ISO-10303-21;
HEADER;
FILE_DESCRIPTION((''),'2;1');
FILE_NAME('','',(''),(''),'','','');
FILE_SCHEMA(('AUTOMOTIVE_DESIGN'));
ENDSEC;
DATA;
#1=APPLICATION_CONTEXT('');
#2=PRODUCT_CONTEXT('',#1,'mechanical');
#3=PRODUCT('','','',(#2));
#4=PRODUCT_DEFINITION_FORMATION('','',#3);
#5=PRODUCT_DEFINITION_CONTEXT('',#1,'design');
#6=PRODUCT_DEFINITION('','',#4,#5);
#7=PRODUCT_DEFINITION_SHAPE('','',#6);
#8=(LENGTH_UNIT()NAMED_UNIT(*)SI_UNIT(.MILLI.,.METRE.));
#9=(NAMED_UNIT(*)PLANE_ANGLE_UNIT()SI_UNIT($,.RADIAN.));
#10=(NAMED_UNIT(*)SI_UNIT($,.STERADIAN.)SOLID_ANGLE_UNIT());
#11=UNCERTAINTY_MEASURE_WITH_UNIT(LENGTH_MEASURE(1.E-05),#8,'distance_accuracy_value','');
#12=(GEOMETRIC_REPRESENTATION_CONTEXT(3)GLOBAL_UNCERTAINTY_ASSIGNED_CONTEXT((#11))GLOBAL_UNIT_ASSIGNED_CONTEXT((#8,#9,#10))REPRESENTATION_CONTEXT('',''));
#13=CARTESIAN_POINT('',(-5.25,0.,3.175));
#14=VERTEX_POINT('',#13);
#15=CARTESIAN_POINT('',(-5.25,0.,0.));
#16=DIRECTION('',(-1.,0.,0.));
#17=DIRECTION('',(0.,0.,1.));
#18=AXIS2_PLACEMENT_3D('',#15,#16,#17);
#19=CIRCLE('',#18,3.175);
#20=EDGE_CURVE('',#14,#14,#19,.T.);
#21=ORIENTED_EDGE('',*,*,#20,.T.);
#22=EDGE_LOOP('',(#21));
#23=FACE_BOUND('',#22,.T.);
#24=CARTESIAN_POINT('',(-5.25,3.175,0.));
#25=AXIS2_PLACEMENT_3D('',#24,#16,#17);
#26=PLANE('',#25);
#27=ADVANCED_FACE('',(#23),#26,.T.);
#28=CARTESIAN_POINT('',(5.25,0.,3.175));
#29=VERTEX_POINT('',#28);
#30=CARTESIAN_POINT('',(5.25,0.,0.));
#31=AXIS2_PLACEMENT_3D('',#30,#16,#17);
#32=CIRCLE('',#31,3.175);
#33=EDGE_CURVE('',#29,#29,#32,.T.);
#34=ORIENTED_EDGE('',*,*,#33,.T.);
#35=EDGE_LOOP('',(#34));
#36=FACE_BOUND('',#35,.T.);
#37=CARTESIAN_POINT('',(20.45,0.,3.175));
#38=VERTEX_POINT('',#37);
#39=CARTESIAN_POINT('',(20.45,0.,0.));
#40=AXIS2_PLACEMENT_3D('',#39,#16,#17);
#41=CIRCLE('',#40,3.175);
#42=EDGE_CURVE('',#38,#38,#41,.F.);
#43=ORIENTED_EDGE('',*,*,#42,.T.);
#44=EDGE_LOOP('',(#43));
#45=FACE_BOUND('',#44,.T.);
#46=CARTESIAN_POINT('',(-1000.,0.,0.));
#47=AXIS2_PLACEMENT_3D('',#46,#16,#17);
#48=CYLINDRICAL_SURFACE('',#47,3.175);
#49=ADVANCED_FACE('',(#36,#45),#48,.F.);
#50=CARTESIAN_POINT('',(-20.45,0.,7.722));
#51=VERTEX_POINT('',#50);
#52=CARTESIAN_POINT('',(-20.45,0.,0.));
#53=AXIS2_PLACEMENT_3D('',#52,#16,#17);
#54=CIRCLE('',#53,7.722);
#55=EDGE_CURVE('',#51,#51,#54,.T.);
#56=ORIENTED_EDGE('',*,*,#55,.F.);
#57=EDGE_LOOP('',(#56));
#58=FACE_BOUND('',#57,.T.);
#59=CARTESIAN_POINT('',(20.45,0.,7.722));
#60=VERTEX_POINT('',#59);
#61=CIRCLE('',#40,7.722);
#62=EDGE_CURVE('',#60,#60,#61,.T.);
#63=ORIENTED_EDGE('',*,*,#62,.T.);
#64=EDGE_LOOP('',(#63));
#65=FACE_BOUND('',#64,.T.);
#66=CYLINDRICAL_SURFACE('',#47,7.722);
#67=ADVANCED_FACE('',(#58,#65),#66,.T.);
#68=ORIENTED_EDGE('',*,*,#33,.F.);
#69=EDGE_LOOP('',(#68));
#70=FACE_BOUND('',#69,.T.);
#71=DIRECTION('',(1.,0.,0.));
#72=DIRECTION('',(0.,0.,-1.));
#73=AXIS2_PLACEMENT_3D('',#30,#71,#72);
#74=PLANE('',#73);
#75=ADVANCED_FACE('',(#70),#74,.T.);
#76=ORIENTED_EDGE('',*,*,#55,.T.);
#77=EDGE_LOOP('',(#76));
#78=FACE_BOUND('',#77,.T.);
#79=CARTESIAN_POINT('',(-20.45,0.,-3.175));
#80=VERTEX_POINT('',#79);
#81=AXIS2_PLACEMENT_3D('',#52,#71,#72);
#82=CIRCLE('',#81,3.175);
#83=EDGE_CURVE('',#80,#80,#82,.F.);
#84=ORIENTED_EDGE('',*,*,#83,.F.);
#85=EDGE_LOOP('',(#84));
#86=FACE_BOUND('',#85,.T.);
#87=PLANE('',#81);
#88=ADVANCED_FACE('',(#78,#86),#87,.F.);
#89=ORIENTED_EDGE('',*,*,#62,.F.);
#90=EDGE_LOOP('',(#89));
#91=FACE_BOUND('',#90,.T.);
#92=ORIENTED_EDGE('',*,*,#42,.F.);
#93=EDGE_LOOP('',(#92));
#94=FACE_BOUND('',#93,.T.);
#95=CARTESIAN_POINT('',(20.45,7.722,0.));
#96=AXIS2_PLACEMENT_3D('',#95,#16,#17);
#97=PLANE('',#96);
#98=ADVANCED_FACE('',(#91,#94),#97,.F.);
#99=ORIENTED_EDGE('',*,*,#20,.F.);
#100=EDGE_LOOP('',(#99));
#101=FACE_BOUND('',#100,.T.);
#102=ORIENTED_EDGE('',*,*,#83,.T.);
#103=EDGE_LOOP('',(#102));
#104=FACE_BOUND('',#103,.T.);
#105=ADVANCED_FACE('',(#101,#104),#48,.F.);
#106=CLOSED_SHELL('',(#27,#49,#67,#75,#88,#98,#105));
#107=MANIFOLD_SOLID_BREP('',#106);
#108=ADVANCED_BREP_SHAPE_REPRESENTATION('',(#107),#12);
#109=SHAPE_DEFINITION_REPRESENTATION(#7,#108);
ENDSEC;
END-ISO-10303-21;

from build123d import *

# Parameters (mm, degrees)
SOCKET_1_SKETCH_W = 16.2
SOCKET_1_SKETCH_H = 3.175
SOCKET_2_SKETCH_W = 16.2
SOCKET_2_SKETCH_H = 3.175


with BuildPart() as part:
    # Union_T4 Sketch → Union_T4 (revolve)
    with BuildSketch(Plane.XY):
        Polygon((-20.45, 0), (-20.45, 7.722), (-3.45, 7.722), (3.45, 7.722), (20.45, 7.722), (20.45, 0), align=None)
    revolve(axis=Axis((-1000, 0, 0), (1, 0, 0)))

    # Socket 1 Sketch → Socket 1 (revolve, cut)
    with BuildSketch(Plane.XY):
        with Locations((-13.35, 1.5875)):
            Rectangle(SOCKET_1_SKETCH_W, SOCKET_1_SKETCH_H)
    revolve(axis=Axis((-1000, 0, 0), (1, 0, 0)), mode=Mode.SUBTRACT)

    # Socket 2 Sketch → Socket 2 (revolve, cut)
    with BuildSketch(Plane.XY):
        with Locations((13.35, 1.5875)):
            Rectangle(SOCKET_2_SKETCH_W, SOCKET_2_SKETCH_H)
    revolve(axis=Axis((-1000, 0, 0), (1, 0, 0)), mode=Mode.SUBTRACT)


solid = part.part
